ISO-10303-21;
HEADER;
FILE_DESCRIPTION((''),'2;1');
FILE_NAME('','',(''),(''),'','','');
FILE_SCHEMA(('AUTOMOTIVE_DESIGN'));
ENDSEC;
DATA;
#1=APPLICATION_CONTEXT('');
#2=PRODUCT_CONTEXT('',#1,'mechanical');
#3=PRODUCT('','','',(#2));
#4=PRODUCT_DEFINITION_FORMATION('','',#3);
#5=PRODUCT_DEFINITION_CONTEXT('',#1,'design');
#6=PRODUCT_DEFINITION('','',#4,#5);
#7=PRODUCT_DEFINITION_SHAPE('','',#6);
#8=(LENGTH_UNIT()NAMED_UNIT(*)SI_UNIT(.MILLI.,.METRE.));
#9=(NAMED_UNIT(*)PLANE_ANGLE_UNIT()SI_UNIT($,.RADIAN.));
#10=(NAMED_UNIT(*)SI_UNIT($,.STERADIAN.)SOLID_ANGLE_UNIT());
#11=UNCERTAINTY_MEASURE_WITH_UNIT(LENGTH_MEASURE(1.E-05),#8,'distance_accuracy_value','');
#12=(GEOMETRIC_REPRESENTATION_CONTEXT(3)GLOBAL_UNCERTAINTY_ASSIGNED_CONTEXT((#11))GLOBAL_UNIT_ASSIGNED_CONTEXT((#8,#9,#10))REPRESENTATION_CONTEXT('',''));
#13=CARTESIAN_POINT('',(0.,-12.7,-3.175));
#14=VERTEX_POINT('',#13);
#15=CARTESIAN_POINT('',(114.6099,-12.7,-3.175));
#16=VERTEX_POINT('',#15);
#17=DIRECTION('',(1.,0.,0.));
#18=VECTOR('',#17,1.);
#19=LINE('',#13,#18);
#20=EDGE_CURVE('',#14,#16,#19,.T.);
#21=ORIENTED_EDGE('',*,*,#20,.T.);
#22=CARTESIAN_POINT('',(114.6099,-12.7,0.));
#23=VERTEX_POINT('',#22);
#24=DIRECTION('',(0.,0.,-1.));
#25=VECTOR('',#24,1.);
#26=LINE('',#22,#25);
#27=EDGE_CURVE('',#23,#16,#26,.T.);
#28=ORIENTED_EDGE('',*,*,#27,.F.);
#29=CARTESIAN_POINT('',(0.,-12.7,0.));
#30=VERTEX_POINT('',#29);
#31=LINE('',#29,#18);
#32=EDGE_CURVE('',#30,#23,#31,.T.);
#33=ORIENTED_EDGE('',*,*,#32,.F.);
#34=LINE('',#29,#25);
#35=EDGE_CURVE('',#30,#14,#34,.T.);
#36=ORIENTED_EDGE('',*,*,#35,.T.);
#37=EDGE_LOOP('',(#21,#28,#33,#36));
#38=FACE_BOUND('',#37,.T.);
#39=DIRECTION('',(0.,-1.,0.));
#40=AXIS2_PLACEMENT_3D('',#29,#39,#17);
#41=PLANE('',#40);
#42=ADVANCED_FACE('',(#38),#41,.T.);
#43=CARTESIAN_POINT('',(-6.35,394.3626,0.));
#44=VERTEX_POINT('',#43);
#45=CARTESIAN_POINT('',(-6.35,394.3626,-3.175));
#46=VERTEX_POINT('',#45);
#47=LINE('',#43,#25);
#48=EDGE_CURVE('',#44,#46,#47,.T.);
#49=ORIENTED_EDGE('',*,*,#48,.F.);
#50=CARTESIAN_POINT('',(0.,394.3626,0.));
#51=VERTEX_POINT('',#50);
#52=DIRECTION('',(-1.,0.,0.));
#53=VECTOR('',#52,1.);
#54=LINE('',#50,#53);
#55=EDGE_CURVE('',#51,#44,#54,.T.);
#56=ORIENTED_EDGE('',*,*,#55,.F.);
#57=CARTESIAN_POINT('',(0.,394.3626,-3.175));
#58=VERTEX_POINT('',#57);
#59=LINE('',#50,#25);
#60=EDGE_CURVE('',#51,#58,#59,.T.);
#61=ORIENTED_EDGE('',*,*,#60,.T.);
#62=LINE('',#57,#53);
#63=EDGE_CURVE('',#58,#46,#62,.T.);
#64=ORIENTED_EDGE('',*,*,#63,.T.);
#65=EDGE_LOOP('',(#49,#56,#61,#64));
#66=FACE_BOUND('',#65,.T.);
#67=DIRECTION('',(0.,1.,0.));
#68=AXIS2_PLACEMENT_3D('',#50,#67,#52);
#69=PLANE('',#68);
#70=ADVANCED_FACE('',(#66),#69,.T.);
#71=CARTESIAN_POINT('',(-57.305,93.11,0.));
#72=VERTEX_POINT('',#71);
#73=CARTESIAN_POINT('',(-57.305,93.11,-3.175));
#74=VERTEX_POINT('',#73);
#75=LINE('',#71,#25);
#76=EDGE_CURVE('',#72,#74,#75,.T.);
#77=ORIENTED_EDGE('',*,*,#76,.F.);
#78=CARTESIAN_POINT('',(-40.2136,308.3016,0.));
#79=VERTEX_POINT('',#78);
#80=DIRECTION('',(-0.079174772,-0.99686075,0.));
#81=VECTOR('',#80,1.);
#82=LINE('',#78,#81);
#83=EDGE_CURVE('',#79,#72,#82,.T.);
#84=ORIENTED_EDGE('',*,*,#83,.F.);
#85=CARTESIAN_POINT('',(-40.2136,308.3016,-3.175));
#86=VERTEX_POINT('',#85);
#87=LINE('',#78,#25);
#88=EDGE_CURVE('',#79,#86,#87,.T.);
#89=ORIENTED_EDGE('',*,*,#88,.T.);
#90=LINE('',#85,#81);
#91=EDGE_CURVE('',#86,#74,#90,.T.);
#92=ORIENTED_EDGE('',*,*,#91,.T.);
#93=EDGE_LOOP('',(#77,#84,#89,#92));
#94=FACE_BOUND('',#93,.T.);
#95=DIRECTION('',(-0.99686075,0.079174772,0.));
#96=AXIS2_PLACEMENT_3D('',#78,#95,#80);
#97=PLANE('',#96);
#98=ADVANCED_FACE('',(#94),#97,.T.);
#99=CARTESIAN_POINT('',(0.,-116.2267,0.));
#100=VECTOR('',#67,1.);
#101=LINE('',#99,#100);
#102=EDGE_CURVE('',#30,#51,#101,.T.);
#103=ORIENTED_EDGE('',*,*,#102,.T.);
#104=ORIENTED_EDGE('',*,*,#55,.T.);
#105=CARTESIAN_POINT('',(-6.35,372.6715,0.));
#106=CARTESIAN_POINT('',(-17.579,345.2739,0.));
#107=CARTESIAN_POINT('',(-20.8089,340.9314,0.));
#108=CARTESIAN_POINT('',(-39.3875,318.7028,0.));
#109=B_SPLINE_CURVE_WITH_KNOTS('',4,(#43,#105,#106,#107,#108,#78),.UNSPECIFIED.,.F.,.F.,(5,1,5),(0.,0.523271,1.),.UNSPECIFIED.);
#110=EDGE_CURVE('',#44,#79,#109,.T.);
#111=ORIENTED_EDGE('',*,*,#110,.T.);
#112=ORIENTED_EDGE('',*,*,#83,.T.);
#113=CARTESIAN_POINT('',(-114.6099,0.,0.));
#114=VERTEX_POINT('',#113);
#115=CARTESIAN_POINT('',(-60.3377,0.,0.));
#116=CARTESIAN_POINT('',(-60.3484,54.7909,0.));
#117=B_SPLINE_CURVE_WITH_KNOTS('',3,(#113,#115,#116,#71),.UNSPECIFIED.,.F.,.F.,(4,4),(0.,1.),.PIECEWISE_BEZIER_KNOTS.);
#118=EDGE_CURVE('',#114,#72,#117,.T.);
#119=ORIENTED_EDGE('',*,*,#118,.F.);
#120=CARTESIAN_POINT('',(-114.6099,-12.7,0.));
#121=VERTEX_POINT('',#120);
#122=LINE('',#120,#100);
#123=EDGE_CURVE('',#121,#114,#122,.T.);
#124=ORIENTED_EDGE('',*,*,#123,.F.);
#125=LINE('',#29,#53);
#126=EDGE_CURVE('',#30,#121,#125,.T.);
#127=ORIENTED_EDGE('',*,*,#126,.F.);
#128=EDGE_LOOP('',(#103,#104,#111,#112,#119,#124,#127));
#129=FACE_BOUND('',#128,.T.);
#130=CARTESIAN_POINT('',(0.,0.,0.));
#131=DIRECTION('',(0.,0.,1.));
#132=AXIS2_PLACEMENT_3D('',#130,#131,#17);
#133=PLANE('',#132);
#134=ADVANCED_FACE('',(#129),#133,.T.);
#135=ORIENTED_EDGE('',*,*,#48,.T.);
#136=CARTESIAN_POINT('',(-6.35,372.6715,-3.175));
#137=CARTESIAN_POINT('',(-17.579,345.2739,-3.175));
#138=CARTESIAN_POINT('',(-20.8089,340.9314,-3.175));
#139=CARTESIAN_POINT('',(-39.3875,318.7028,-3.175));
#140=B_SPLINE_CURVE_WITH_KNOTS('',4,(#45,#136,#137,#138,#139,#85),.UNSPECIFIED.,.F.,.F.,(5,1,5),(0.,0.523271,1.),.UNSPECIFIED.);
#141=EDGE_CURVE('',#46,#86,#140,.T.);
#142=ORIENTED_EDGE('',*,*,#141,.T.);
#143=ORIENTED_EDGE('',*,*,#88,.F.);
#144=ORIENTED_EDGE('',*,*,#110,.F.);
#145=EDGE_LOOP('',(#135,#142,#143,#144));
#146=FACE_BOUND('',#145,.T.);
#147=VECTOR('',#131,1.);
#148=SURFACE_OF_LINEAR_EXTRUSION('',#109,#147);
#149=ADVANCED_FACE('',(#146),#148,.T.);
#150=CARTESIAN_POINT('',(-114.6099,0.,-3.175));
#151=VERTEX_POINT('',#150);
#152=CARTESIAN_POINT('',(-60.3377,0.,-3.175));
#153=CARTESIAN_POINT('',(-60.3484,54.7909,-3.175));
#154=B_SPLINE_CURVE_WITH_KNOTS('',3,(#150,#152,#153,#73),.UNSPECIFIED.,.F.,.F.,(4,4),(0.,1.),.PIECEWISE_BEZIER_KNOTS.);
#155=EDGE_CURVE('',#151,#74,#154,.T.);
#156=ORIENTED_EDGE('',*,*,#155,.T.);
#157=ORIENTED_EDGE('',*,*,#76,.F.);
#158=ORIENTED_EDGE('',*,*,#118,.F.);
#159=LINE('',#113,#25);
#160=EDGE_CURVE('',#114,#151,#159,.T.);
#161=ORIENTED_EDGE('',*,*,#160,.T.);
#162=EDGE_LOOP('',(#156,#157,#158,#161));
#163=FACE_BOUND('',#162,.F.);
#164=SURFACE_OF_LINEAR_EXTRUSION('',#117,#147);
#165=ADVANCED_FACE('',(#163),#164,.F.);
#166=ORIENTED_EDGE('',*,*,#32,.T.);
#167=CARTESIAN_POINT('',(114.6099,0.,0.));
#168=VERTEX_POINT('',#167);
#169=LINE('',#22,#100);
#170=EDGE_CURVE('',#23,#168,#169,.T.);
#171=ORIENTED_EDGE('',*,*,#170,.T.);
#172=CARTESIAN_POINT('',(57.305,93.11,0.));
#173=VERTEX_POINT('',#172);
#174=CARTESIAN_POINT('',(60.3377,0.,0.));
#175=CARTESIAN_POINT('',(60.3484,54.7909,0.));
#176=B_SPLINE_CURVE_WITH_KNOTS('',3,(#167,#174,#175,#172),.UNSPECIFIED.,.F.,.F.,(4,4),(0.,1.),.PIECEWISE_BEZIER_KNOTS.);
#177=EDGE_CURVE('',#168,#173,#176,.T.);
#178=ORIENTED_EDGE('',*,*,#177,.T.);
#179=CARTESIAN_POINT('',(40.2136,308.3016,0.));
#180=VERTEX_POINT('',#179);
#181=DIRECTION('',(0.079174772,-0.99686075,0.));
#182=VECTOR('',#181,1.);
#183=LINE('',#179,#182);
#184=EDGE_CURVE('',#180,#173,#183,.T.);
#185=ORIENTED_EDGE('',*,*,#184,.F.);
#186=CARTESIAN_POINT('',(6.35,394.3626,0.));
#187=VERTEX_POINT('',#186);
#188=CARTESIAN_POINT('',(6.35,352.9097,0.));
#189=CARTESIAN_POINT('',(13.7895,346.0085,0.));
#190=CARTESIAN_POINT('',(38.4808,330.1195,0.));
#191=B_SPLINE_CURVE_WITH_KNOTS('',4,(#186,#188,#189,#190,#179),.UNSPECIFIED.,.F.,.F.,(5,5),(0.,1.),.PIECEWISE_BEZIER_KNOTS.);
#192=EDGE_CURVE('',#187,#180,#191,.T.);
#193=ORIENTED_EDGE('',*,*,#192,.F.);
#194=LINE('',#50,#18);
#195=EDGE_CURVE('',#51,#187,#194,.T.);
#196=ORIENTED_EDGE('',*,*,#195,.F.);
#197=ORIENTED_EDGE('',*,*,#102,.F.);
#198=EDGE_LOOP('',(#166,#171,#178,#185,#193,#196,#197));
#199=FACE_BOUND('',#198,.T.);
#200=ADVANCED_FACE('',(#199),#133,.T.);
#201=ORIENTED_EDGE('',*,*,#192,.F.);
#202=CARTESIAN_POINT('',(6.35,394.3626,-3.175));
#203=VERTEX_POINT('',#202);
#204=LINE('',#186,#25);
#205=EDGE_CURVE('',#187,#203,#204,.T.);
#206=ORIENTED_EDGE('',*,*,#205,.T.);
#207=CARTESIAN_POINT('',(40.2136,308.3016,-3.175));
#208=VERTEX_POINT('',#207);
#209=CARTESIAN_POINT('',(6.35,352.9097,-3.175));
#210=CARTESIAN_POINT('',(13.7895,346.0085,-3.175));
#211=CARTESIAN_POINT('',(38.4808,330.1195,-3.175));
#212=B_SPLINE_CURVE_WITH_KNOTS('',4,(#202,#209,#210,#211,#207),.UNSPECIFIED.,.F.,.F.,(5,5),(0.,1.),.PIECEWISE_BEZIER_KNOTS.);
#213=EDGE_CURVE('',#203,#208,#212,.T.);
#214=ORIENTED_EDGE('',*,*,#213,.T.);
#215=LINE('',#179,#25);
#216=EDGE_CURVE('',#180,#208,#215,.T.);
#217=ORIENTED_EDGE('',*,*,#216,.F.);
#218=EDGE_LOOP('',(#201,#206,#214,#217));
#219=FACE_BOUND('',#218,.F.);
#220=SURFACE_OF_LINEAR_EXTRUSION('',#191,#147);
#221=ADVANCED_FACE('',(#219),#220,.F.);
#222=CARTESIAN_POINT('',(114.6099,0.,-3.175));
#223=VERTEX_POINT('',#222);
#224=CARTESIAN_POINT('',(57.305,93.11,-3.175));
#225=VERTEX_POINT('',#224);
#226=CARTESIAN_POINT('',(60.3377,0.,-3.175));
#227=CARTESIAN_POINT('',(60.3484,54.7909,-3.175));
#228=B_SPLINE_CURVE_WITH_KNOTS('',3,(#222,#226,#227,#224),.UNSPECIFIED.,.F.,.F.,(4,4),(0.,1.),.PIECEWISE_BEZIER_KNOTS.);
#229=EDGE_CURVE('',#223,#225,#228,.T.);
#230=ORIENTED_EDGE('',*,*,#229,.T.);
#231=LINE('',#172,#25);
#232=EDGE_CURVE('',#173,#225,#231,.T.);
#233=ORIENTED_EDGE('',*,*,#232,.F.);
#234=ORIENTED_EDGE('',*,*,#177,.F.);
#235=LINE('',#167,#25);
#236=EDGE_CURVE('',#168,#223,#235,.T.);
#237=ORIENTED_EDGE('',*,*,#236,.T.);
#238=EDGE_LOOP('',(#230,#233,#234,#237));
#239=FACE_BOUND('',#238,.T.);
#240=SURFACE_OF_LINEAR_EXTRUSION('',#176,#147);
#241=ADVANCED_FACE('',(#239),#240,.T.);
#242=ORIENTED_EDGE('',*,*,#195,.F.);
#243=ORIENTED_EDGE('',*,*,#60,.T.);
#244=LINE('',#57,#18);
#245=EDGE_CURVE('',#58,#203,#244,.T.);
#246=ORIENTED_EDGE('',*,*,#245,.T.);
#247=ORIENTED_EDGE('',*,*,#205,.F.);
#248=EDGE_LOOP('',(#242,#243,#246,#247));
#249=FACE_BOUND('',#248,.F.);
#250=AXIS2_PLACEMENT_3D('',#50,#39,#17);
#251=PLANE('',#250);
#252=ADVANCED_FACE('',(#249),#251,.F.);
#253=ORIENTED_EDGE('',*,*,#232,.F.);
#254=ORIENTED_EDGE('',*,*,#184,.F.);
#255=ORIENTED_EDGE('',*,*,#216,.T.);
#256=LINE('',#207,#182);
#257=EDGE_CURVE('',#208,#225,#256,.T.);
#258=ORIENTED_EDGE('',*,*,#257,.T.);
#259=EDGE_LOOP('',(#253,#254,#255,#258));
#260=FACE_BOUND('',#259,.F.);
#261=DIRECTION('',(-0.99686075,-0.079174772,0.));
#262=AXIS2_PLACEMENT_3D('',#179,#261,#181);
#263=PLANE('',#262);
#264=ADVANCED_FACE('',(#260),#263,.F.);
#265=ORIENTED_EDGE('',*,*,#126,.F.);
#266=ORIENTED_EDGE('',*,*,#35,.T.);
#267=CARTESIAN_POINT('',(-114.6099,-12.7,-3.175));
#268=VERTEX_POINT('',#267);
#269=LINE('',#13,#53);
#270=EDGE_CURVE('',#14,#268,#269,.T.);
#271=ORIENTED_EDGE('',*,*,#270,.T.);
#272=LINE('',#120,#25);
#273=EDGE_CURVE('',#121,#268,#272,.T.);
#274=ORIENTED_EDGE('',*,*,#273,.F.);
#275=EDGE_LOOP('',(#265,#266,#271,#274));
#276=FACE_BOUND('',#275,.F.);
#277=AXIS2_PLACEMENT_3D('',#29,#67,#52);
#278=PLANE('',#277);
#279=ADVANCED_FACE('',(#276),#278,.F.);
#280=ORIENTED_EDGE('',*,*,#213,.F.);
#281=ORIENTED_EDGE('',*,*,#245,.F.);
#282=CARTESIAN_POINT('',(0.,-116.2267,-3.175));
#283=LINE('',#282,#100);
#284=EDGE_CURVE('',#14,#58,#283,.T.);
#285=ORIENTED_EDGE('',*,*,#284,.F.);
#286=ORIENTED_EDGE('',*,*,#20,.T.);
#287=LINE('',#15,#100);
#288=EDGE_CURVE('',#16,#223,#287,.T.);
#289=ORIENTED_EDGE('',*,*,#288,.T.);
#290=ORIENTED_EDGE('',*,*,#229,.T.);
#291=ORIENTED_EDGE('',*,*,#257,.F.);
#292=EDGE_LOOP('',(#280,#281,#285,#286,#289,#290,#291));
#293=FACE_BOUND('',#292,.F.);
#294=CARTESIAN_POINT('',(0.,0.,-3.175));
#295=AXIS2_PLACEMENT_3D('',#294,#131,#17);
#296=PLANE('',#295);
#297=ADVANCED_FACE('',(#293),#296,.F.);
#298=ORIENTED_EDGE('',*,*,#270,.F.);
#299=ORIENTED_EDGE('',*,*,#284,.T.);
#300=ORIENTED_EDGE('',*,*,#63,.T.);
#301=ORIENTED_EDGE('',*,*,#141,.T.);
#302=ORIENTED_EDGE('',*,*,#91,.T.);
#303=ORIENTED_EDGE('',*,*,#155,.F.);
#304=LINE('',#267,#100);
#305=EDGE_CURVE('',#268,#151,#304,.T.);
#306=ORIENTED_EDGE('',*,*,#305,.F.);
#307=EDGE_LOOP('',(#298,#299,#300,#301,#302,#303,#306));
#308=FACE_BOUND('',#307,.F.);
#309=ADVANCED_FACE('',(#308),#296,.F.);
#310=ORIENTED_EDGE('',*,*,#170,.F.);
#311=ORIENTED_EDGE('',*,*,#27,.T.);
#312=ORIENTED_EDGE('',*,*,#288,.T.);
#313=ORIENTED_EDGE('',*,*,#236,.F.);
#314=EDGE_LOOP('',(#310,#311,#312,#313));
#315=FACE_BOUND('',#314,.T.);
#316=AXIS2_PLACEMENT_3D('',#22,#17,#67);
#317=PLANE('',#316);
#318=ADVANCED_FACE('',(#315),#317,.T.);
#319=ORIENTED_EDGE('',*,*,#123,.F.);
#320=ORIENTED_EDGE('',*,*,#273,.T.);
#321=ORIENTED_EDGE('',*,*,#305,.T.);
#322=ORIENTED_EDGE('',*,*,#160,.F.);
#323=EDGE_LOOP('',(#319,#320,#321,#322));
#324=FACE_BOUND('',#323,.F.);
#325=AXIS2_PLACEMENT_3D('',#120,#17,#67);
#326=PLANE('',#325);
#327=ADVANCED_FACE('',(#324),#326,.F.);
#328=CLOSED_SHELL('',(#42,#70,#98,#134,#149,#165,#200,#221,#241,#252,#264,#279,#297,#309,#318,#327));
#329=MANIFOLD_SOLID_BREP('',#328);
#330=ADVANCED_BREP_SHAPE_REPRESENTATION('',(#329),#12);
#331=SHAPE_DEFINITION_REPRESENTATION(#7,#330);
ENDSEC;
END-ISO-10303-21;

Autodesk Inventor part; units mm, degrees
ref_plane "YZ Plane" through (0, 0, 0) normal (1, 0, 0) x (0, 1, 0)
ref_plane "XZ Plane" through (0, 0, 0) normal (0, 1, 0) x (-1, 0, 0)
ref_plane "XY Plane" through (0, 0, 0) normal (0, 0, 1) x (1, 0, 0)
sketch "Sketch1" plane through (0, 0, 0) normal (0, 0, 1) x (1, 0, 0)
  line L0 (76.2, -12.7) -> (381, -12.7) construction
  line L1 (-76.2, -12.7) -> (-381, -12.7) construction
  line L2 (-76.2, 0) -> (-381, 0) construction
  line L3 (76.2, 0) -> (381, 0) construction
  line L4 (0, -116.2267) -> (0, 608.4603)
  line L5 (0, -12.7) -> (-114.6099, -12.7)
  line L6 (-114.6099, -12.7) -> (-114.6099, 0)
  line L7 (0, 394.3626) -> (-6.35, 394.3626)
  line L8 (-40.2136, 308.3016) -> (-57.305, 93.11)
  spline S0 degree 3 poles (-114.6099, 0) (-60.3377, 0) (-60.3484, 54.7909) (-57.305, 93.11) knots 0 0 0 0 1 1 1 1
  line L9 (-119.6474, 0) -> (-109.5725, 0) construction
  arc A0 (-118.6349, 0.1005) -> (-110.585, 0.1005) centre (-114.6099, 80.6377) ccw construction
  line L10 (40.2136, 308.3016) -> (57.305, 93.11)
  line L11 (0, 394.3626) -> (6.35, 394.3626)
  spline S1 degree 3 poles (114.6099, 0) (60.3377, 0) (60.3484, 54.7909) (57.305, 93.11) knots 0 0 0 0 1 1 1 1
  line L12 (119.6474, 0) -> (109.5725, 0) construction
  arc A1 (110.585, 0.1005) -> (118.6349, 0.1005) centre (114.6099, 80.6377) ccw construction
  line L13 (0, -12.7) -> (114.6099, -12.7)
  line L14 (114.6099, -12.7) -> (114.6099, 0)
  spline S2 degree 4 poles (-6.35, 394.3626) (-6.35, 372.6715) (-17.579, 345.2739) (-20.8089, 340.9314) (-39.3875, 318.7028) (-40.2136, 308.3016) knots 0 0 0 0 0 0.523271 1 1 1 1 1
  line L15 (-6.35, 421.2444) -> (-6.35, 367.4808) construction
  arc A2 (-8.4521, 373.2806) -> (-8.4521, 415.4446) centre (-113.1163, 394.3626) ccw construction
  spline S3 degree 4 poles (6.35, 394.3626) (6.35, 352.9097) (13.7895, 346.0085) (38.4808, 330.1195) (40.2136, 308.3016) knots 0 0 0 0 0 1 1 1 1 1
  line L16 (6.35, 421.2444) -> (6.35, 367.4808) construction
  arc A3 (8.4521, 415.4446) -> (8.4521, 373.2806) centre (113.1163, 394.3626) ccw construction
  line L17 (-14.8603, 351.5845) -> (-28.3954, 331.1958) construction
  arc A4 (-27.429, 333.5531) -> (-16.6575, 349.7787) centre (-101.0508, 394.1155) ccw construction
  point P0 (0, 0)
  point P1 (-21.6278, 341.3901)
  point P2 (21.6278, 341.3901)
  dimension "d0" = 6.35
extrude "Extrusion1" add sketch "Sketch1" against normal blind 3.175
properties part number "Bottom Plate v1" material "Wood (Cherry)"
